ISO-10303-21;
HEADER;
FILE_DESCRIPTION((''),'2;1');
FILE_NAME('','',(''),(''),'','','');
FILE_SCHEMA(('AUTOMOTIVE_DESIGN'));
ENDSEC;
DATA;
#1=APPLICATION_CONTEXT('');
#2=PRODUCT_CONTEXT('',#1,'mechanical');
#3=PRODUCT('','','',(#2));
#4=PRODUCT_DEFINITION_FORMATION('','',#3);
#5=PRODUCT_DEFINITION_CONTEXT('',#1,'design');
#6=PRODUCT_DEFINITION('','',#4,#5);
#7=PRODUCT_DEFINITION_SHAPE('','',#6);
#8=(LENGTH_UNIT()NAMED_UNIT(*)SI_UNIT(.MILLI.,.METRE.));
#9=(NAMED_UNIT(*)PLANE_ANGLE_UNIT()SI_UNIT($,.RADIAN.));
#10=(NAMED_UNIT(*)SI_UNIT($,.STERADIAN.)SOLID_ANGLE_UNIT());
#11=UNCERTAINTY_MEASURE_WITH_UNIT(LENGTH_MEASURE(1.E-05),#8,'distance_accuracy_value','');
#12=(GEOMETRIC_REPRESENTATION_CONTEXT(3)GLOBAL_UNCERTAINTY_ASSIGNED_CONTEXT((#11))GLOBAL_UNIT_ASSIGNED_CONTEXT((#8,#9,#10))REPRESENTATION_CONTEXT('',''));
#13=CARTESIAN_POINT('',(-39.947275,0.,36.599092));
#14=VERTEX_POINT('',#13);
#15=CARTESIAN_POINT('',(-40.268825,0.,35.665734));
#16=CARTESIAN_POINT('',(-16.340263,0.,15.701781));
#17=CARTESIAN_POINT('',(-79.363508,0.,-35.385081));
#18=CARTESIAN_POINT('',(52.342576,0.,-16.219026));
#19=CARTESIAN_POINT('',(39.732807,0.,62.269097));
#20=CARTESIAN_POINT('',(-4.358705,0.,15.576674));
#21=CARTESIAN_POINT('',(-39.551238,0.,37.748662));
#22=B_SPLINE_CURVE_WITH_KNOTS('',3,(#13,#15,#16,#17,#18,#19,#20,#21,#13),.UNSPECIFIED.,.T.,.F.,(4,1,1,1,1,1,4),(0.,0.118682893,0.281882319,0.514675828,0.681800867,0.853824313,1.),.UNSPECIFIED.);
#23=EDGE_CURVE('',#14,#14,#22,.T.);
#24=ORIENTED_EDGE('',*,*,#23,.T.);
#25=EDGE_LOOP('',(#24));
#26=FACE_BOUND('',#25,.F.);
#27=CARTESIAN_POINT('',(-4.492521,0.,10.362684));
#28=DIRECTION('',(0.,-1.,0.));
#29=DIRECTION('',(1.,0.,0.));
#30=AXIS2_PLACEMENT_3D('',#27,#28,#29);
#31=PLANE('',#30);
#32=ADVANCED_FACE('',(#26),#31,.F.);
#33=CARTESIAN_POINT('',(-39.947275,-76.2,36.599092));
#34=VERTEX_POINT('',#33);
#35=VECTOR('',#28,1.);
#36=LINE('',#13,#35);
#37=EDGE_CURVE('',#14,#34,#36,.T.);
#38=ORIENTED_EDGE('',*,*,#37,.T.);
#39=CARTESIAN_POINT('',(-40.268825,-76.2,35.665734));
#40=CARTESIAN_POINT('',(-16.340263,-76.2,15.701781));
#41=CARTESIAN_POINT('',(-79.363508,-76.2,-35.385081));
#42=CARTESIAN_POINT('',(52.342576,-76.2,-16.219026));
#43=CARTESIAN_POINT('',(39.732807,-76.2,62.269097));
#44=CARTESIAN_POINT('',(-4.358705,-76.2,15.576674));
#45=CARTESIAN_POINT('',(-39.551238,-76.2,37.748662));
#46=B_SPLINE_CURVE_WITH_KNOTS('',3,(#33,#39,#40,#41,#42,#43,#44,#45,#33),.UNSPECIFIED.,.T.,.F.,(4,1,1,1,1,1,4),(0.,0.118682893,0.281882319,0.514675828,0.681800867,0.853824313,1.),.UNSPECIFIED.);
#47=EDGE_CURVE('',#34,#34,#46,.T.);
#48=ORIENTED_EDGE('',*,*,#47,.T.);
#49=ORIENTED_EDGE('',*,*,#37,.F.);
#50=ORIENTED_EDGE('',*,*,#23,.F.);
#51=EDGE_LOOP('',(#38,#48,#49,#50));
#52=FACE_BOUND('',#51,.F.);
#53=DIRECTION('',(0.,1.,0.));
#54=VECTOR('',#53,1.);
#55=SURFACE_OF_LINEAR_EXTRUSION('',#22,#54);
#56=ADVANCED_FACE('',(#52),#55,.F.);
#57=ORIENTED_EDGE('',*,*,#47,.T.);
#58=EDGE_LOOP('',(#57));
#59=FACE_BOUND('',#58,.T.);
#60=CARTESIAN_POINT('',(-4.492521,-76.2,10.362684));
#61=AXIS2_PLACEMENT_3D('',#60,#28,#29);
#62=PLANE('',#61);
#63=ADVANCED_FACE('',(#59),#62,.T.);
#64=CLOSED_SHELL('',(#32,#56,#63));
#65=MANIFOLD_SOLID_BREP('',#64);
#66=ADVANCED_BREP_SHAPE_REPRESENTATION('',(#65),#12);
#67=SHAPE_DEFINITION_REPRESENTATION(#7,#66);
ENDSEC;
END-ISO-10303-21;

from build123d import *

# Parameters (mm, degrees)
F1_DEPTH = 76.2


with BuildPart() as f1:
    # F0 (on Front) → F1 (new body)
    with BuildSketch(Plane.XZ):
        with BuildLine():
            add(Edge.make_bspline(
                [(-39.9472750723, 36.5990921855), (-40.2688252441, 35.6657338188), (-16.3402630371, 15.7017814573), (-79.3635084439, -35.3850809183), (52.3425758062, -16.2190256696), (39.7328072014, 62.2690965939), (-4.358704927, 15.5766740683), (-39.5512380665, 37.7486622537), (-39.9472750723, 36.5990921855)],
                knots=[0, 0, 0, 0, 0.1186828926, 0.2818823191, 0.5146758277, 0.6818008674, 0.8538243125, 1, 1, 1, 1], degree=3))
        make_face()
    extrude(amount=F1_DEPTH)


solid = f1.part
